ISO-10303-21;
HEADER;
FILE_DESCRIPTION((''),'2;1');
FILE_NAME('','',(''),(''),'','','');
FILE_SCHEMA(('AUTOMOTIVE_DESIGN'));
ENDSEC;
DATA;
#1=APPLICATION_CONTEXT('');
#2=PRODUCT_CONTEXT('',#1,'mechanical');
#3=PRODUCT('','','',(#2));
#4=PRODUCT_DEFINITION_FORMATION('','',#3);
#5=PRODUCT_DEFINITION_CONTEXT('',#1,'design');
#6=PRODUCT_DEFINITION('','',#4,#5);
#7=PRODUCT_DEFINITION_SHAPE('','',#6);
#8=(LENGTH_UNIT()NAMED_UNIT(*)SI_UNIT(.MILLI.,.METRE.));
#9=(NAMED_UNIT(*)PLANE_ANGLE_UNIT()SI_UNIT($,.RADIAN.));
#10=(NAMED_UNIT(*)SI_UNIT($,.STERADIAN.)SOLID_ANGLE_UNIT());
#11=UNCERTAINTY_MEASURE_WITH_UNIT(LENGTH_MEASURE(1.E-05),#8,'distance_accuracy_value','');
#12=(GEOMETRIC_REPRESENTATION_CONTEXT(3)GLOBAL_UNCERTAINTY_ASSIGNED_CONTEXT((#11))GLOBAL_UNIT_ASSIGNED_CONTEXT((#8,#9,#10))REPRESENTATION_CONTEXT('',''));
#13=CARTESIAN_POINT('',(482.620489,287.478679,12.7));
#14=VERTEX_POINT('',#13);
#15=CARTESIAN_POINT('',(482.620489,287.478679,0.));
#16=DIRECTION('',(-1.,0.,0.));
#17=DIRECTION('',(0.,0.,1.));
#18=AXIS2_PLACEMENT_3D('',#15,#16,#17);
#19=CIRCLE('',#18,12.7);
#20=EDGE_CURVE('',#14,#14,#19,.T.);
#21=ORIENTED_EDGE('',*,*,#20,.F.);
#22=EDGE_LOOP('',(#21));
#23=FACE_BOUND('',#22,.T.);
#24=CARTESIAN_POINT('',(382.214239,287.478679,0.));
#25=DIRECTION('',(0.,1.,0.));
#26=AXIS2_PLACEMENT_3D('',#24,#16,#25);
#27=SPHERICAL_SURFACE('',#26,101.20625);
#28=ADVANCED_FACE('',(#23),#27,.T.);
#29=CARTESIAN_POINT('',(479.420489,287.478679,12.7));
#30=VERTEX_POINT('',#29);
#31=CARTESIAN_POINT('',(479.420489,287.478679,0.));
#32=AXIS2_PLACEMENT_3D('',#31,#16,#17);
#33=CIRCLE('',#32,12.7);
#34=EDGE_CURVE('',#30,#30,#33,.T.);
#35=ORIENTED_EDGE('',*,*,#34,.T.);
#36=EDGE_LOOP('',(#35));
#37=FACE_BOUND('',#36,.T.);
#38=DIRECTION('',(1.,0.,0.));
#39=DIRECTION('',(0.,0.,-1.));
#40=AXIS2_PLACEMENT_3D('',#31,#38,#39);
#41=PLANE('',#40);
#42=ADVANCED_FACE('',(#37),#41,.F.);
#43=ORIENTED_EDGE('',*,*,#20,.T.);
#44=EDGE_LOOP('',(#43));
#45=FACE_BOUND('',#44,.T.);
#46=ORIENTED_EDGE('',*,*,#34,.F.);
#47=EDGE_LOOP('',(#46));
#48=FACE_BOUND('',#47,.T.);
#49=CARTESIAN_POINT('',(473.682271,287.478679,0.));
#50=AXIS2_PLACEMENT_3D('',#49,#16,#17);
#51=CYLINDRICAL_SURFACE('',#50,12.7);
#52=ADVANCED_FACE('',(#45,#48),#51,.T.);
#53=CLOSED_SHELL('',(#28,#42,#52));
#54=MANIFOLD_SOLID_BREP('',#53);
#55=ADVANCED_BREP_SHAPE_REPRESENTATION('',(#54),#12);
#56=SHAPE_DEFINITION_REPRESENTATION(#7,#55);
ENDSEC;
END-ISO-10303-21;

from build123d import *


with BuildPart() as part:
    # 草图1 → 旋转1 (revolve)
    with BuildSketch(Plane.XY):
        with BuildLine():
            Line((479.420489015, 287.478678898), (479.420489015, 300.178678898))
            Line((479.420489015, 300.178678898), (482.620489015, 300.178678898))
            ThreePointArc((482.620489015, 300.178678898), (483.220291008, 293.84126485), (483.420489015, 287.478678898))
            Line((483.420489015, 287.478678898), (479.420489015, 287.478678898))
        make_face()
    revolve(axis=Axis((473.68227098, 287.478678898, 0), (1, 0, 0)))


solid = part.part
